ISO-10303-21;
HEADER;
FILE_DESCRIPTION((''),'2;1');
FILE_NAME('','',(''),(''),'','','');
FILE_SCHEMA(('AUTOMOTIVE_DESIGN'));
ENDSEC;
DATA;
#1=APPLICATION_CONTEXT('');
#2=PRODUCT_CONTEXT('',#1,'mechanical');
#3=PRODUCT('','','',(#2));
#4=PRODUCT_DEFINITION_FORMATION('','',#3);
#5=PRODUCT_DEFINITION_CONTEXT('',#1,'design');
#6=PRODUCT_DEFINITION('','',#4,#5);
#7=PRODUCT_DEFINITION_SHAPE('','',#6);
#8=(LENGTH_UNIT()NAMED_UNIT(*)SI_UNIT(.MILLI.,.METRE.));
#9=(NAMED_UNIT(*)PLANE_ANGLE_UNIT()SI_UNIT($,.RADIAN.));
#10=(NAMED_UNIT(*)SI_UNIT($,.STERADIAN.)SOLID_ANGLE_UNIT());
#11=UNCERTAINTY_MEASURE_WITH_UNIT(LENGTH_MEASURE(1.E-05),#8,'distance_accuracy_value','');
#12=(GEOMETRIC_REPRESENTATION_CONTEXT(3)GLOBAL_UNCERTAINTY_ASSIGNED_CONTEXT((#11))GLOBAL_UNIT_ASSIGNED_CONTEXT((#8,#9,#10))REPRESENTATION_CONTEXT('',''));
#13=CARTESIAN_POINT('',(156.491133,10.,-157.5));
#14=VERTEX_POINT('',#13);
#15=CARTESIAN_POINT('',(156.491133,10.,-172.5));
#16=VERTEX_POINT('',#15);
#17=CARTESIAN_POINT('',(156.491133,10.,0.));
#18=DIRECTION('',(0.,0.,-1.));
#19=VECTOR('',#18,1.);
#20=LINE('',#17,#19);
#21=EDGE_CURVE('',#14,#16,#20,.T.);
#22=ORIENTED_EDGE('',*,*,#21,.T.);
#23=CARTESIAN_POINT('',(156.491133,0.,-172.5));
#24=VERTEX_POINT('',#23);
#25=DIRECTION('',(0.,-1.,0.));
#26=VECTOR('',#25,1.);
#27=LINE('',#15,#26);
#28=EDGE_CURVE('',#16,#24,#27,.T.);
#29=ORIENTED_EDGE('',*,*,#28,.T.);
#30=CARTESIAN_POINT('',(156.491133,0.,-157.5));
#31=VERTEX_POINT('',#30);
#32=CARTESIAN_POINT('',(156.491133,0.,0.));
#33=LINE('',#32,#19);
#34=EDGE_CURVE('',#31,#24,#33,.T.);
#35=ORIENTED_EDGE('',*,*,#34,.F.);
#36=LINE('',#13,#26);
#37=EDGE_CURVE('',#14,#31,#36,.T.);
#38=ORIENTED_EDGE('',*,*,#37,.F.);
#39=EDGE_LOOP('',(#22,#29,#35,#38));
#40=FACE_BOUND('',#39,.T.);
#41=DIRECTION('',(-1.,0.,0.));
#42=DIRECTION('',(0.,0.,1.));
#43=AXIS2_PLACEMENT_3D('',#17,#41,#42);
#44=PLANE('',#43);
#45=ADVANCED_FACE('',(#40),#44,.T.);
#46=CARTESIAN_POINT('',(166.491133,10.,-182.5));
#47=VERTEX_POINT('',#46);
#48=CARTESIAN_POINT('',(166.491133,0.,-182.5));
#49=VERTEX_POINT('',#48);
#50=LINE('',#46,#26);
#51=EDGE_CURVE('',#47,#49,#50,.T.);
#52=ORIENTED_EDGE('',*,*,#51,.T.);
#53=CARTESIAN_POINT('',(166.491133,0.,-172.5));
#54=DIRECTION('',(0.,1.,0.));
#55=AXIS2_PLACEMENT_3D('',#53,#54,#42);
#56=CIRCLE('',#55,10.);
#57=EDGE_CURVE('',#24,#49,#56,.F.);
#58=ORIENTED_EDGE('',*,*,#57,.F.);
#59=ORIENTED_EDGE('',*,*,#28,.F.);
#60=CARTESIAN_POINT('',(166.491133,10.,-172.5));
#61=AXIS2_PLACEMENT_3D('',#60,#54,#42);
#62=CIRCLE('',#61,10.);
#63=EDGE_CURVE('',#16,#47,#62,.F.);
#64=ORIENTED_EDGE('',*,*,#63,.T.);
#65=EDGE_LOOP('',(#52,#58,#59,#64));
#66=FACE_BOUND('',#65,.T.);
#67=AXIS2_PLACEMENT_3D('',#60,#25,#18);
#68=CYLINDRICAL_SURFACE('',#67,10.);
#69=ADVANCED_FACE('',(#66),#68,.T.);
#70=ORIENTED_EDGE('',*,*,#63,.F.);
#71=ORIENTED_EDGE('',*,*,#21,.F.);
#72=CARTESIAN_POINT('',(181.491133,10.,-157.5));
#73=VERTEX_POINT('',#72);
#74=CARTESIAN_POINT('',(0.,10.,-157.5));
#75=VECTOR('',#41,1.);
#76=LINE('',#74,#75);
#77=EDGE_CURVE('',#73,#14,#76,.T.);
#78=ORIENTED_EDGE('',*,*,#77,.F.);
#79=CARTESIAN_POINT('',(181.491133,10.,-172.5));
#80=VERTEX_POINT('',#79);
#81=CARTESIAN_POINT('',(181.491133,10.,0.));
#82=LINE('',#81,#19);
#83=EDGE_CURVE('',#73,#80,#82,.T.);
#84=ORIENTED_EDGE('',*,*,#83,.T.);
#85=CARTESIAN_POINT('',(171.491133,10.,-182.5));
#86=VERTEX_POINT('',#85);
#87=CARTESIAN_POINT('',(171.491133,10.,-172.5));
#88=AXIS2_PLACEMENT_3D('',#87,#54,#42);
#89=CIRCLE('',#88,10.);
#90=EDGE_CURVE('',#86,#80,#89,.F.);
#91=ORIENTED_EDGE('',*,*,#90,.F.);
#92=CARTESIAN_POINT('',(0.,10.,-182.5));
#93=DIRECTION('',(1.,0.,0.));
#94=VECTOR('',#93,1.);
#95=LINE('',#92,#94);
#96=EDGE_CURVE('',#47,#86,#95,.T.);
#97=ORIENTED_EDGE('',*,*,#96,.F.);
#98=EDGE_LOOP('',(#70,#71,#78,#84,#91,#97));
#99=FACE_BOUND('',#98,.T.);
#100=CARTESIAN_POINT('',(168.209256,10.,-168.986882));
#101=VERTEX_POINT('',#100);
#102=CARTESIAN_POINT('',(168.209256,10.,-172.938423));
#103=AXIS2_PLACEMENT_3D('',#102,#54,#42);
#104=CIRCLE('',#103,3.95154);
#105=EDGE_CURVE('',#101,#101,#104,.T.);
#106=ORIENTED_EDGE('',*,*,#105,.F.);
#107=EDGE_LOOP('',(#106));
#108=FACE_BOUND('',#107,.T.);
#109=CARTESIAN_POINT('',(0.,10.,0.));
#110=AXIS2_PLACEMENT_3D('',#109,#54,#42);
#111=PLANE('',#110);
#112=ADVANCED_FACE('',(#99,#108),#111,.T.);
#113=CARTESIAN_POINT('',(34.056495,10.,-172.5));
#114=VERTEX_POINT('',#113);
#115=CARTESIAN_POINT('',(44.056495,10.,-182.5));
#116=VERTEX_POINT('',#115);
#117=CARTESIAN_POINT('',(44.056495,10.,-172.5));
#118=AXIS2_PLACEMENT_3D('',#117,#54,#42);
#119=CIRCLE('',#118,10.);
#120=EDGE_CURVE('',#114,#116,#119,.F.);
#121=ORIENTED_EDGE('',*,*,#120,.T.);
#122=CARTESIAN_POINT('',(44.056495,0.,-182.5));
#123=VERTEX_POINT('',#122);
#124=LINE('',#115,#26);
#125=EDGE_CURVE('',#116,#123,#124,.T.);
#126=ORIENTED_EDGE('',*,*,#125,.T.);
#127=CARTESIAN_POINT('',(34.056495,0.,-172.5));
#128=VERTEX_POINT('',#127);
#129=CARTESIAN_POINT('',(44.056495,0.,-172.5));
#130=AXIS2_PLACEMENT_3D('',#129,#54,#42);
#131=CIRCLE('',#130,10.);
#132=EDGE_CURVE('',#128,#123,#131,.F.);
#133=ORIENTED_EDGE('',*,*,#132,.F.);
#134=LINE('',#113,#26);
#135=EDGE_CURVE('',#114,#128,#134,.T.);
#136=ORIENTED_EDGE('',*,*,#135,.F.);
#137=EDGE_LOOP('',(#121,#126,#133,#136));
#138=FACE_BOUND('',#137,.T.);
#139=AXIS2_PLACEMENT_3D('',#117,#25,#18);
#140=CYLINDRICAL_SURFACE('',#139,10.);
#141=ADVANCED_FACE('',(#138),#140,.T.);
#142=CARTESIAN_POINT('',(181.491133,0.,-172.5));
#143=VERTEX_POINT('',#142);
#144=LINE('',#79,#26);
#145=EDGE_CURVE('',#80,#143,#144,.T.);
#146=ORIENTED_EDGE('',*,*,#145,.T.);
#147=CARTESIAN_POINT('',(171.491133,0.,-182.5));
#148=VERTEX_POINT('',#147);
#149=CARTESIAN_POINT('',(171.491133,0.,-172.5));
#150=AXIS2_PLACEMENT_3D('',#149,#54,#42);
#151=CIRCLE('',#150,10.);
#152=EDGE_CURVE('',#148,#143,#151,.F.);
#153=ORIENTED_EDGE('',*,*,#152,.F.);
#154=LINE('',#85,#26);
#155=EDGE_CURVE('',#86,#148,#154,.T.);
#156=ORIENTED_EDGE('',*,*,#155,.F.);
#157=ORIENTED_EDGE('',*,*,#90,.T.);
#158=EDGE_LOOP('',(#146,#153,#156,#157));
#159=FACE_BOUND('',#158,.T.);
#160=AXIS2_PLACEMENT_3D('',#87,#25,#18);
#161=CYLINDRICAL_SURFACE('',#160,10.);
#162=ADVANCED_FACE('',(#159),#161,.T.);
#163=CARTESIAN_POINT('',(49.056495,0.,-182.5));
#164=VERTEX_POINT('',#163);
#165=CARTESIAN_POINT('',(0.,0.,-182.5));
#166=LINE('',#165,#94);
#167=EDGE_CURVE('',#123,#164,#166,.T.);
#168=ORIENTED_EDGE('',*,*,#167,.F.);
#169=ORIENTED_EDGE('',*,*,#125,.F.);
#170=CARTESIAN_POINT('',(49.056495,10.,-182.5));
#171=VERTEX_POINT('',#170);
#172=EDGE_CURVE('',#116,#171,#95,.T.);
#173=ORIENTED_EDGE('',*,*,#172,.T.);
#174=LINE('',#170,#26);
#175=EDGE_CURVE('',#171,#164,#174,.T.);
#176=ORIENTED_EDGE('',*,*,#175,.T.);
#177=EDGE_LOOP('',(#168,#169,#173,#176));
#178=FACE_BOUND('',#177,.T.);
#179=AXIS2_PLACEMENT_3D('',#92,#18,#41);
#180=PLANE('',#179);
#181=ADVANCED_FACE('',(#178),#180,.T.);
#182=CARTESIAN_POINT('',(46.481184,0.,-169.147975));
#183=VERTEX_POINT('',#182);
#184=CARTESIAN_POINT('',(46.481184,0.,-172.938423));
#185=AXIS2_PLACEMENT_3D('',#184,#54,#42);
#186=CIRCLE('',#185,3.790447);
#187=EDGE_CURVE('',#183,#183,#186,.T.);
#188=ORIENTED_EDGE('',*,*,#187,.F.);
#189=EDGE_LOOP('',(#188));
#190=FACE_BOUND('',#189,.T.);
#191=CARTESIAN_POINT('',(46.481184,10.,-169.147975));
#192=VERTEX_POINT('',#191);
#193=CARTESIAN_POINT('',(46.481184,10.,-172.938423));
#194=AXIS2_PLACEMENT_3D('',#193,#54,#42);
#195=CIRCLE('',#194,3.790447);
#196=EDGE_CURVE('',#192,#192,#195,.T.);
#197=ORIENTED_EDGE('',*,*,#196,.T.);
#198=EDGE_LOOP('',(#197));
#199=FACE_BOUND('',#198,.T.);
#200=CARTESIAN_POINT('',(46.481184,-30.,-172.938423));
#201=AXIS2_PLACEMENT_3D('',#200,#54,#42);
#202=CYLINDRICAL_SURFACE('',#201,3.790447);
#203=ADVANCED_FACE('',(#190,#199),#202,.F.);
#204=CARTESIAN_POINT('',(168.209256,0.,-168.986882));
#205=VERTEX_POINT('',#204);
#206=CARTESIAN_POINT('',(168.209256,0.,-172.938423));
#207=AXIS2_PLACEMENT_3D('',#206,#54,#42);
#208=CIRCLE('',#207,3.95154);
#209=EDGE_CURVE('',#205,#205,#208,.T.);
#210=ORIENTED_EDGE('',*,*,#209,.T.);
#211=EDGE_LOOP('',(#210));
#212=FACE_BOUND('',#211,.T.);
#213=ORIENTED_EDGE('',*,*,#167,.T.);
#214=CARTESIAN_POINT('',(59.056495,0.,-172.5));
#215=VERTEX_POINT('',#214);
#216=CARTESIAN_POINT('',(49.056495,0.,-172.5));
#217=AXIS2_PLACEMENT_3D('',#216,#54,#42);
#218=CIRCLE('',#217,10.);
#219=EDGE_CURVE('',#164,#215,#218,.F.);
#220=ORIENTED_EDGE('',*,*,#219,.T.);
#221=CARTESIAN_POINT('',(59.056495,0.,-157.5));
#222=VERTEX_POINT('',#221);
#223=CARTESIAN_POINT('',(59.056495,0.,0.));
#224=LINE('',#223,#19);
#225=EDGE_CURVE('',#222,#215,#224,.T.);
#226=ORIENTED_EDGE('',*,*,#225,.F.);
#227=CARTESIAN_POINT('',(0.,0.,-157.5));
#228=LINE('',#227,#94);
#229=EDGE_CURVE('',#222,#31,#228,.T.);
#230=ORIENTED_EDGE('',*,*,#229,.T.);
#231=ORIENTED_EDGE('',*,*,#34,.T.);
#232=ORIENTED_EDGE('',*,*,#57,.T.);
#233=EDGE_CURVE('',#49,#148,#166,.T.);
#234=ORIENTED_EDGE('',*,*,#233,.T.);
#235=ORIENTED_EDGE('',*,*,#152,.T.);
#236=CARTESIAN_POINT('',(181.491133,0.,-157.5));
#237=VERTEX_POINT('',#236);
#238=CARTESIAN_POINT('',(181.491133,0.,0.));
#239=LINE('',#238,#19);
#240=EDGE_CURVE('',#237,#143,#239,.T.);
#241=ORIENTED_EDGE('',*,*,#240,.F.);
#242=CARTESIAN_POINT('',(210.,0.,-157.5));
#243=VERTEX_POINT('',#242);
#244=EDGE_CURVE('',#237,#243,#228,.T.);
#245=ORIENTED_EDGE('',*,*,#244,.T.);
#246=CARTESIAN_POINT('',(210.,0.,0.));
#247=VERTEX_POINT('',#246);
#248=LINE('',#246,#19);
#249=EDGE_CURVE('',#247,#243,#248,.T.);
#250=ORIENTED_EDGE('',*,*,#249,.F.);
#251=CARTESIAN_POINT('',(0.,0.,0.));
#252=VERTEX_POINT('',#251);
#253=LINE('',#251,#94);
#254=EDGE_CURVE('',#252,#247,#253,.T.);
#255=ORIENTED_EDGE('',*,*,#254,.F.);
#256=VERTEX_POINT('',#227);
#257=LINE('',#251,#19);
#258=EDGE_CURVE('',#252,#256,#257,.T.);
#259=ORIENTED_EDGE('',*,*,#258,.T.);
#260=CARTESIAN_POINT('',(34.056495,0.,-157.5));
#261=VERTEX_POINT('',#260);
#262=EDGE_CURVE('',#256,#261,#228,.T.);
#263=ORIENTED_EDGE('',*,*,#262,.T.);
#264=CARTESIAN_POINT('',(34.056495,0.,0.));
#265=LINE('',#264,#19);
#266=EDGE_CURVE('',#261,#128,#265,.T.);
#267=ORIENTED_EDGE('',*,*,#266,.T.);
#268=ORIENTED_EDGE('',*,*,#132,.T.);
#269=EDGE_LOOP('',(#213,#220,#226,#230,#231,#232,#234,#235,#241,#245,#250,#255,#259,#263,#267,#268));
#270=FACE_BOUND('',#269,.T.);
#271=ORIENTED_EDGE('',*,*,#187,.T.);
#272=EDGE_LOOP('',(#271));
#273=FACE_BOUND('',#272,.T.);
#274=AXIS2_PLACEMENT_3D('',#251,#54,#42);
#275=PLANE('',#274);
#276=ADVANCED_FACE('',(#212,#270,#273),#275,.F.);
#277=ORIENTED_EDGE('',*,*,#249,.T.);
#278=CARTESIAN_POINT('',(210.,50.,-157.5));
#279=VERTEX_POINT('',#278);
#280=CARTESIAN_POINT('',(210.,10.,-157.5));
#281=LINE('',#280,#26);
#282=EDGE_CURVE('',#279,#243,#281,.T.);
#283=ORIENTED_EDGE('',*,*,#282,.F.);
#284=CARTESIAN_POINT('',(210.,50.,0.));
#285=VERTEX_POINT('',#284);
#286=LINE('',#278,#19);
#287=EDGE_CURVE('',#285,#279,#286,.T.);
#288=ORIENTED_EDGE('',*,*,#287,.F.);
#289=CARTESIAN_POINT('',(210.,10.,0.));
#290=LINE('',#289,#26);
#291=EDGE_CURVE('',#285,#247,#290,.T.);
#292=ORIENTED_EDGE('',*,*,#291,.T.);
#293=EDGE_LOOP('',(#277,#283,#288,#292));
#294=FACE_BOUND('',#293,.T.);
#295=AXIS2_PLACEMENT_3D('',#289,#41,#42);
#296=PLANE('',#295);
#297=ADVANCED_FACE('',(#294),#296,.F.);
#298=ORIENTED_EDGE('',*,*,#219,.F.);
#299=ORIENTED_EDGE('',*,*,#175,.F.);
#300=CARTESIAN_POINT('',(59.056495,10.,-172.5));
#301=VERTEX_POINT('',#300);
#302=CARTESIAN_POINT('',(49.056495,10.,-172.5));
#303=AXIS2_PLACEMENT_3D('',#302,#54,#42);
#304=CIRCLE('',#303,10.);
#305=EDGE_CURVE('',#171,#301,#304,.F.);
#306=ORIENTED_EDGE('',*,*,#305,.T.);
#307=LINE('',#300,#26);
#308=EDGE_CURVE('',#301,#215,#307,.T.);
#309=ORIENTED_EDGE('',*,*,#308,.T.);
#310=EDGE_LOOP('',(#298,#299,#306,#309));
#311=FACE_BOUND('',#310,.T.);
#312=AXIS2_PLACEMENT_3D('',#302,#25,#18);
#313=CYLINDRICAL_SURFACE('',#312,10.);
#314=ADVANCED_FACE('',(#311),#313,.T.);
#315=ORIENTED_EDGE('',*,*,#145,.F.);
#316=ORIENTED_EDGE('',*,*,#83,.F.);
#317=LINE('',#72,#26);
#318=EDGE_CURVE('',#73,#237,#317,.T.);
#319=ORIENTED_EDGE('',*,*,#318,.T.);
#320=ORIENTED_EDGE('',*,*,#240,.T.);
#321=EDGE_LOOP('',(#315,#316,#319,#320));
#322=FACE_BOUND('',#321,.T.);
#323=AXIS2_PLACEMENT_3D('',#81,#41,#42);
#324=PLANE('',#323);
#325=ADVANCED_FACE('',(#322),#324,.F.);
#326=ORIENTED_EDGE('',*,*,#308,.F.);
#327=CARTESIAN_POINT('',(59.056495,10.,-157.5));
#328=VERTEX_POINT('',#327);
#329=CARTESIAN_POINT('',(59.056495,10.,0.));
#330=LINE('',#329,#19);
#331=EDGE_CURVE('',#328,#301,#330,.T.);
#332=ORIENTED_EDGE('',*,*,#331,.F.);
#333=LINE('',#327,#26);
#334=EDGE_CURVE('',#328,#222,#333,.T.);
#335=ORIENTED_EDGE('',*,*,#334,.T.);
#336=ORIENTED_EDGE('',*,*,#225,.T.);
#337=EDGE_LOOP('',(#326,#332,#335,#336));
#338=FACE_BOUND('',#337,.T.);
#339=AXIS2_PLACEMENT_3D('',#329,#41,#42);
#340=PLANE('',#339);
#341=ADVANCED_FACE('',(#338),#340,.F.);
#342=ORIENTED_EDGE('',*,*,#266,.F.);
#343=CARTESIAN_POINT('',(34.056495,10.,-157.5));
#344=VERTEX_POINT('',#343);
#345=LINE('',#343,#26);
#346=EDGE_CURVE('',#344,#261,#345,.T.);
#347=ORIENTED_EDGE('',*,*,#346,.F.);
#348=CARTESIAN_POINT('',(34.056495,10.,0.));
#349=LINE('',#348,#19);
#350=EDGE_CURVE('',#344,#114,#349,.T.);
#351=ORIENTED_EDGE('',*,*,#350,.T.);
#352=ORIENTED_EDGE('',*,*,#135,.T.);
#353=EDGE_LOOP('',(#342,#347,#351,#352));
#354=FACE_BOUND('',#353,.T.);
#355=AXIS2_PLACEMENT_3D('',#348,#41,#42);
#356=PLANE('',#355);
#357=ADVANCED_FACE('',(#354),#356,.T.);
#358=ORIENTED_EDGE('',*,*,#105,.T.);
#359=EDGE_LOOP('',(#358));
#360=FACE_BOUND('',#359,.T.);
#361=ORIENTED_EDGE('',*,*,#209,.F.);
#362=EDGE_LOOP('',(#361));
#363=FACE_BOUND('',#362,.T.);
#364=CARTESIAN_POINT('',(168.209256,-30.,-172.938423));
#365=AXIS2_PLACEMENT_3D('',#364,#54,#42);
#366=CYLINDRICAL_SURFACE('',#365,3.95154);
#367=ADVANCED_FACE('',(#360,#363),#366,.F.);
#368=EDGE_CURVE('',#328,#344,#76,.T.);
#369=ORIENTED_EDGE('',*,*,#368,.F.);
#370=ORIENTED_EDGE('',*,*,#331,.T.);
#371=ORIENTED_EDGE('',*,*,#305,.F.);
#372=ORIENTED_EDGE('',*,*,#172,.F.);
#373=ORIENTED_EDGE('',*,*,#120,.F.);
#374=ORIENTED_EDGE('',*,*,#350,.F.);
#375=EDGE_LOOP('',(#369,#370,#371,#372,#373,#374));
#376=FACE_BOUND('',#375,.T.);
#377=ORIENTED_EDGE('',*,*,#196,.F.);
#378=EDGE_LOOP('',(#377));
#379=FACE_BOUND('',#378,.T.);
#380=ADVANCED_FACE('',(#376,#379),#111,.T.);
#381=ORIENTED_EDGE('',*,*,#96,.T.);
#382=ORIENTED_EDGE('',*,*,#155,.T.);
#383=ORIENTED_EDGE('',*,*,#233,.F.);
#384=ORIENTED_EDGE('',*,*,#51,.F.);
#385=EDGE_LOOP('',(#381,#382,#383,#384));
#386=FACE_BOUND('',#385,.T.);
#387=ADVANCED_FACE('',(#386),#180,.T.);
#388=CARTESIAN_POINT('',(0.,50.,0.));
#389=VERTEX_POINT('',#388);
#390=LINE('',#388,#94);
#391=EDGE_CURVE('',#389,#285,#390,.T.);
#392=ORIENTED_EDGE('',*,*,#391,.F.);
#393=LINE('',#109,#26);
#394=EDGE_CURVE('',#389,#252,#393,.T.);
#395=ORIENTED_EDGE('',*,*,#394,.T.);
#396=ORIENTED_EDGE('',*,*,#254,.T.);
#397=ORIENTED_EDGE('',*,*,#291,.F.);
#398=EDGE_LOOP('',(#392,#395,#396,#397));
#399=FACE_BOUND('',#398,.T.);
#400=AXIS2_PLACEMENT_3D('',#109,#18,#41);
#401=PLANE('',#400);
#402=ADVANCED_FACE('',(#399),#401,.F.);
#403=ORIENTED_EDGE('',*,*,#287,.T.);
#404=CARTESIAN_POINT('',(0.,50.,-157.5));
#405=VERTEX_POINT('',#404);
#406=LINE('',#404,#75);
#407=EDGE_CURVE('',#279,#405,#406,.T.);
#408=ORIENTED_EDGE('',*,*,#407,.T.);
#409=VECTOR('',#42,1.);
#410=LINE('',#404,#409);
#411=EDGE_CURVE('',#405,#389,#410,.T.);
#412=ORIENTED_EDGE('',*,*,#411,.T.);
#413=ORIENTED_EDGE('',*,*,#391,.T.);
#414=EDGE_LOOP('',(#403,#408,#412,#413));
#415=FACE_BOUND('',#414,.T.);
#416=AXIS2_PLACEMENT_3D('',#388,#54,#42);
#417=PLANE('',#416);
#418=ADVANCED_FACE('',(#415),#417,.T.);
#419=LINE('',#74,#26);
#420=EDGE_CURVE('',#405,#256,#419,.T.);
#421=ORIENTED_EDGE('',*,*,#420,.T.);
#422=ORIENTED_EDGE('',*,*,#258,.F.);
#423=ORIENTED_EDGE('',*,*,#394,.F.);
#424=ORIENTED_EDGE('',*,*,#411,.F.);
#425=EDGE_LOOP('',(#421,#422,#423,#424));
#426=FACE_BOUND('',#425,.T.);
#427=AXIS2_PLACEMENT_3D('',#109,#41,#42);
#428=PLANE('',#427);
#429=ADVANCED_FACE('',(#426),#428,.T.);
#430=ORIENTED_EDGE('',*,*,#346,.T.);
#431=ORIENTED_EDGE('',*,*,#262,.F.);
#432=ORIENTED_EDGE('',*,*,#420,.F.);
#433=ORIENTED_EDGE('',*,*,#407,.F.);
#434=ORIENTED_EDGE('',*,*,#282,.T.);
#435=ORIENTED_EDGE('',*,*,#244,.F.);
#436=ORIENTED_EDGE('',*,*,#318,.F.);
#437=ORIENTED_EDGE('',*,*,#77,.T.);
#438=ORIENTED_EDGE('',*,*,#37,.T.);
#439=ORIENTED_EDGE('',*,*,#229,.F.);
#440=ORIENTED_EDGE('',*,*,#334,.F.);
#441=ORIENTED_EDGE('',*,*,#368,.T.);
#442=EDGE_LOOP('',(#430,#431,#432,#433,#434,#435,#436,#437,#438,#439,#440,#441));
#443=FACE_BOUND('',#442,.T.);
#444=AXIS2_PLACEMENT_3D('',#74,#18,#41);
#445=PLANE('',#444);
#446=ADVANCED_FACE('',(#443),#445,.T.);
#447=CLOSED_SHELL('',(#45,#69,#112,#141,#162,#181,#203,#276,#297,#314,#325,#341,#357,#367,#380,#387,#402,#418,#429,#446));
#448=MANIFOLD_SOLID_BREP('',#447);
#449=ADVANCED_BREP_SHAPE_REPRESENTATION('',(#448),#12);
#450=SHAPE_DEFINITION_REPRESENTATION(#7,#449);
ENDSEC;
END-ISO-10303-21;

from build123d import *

# Parameters (mm, degrees)
SKETCH_1_W          = 210
SKETCH_1_H          = 157.5
EXTRUDE_1_DEPTH     = 10
SKETCH_2_W          = 210
SKETCH_2_H          = 157.5
EXTRUDE_2_DEPTH     = 40
SKETCH_3_R          = 3.79044749
SKETCH_3_R_2        = 3.951540246
CUT_EXTRUDE_1_DEPTH = 40


with BuildPart() as part:
    # 草图1 → 凸台-拉伸1 (new body)
    with BuildSketch(Plane(origin=(0, 0, 0), x_dir=(1, 0, 0), z_dir=(0, 1, 0))):
        with Locations((105, 78.75)):
            Rectangle(SKETCH_1_W, SKETCH_1_H)
        with BuildLine():
            Line((34.056494748, 172.5), (34.056494748, 157.5))
            Line((34.056494748, 157.5), (59.056494748, 157.5))
            Line((59.056494748, 157.5), (59.056494748, 172.5))
            ThreePointArc((59.056494748, 172.5), (56.12756256, 179.571067812), (49.056494748, 182.5))
            Line((49.056494748, 182.5), (44.056494748, 182.5))
            ThreePointArc((44.056494748, 182.5), (36.985426936, 179.571067812), (34.056494748, 172.5))
        make_face()
        with BuildLine():
            Line((156.491132728, 157.5), (181.491132728, 157.5))
            Line((181.491132728, 157.5), (181.491132728, 172.5))
            ThreePointArc((181.491132728, 172.5), (178.56220054, 179.571067812), (171.491132728, 182.5))
            Line((171.491132728, 182.5), (166.491132728, 182.5))
            ThreePointArc((166.491132728, 182.5), (159.420064916, 179.571067812), (156.491132728, 172.5))
            Line((156.491132728, 172.5), (156.491132728, 157.5))
        make_face()
    extrude(amount=EXTRUDE_1_DEPTH)

    # 草图2 → 凸台-拉伸2 (add)
    with BuildSketch(Plane(origin=(0, 10, 0), x_dir=(1, 0, 0), z_dir=(0, 1, 0))):
        with Locations((105, 78.75)):
            Rectangle(SKETCH_2_W, SKETCH_2_H)
    extrude(amount=EXTRUDE_2_DEPTH)

    # 草图3 → 切除-拉伸1 (cut)
    with BuildSketch(Plane(origin=(0, 10, 0), x_dir=(1, 0, 0), z_dir=(0, 1, 0))):
        with Locations(Location((46.4811838, 172.938422578, 0), (0, 0, 270))):
            Circle(SKETCH_3_R)
        with Locations(Location((168.209255667, 172.938422578, 0), (0, 0, 270))):
            Circle(SKETCH_3_R_2)
    extrude(amount=-CUT_EXTRUDE_1_DEPTH, mode=Mode.SUBTRACT)


solid = part.part
